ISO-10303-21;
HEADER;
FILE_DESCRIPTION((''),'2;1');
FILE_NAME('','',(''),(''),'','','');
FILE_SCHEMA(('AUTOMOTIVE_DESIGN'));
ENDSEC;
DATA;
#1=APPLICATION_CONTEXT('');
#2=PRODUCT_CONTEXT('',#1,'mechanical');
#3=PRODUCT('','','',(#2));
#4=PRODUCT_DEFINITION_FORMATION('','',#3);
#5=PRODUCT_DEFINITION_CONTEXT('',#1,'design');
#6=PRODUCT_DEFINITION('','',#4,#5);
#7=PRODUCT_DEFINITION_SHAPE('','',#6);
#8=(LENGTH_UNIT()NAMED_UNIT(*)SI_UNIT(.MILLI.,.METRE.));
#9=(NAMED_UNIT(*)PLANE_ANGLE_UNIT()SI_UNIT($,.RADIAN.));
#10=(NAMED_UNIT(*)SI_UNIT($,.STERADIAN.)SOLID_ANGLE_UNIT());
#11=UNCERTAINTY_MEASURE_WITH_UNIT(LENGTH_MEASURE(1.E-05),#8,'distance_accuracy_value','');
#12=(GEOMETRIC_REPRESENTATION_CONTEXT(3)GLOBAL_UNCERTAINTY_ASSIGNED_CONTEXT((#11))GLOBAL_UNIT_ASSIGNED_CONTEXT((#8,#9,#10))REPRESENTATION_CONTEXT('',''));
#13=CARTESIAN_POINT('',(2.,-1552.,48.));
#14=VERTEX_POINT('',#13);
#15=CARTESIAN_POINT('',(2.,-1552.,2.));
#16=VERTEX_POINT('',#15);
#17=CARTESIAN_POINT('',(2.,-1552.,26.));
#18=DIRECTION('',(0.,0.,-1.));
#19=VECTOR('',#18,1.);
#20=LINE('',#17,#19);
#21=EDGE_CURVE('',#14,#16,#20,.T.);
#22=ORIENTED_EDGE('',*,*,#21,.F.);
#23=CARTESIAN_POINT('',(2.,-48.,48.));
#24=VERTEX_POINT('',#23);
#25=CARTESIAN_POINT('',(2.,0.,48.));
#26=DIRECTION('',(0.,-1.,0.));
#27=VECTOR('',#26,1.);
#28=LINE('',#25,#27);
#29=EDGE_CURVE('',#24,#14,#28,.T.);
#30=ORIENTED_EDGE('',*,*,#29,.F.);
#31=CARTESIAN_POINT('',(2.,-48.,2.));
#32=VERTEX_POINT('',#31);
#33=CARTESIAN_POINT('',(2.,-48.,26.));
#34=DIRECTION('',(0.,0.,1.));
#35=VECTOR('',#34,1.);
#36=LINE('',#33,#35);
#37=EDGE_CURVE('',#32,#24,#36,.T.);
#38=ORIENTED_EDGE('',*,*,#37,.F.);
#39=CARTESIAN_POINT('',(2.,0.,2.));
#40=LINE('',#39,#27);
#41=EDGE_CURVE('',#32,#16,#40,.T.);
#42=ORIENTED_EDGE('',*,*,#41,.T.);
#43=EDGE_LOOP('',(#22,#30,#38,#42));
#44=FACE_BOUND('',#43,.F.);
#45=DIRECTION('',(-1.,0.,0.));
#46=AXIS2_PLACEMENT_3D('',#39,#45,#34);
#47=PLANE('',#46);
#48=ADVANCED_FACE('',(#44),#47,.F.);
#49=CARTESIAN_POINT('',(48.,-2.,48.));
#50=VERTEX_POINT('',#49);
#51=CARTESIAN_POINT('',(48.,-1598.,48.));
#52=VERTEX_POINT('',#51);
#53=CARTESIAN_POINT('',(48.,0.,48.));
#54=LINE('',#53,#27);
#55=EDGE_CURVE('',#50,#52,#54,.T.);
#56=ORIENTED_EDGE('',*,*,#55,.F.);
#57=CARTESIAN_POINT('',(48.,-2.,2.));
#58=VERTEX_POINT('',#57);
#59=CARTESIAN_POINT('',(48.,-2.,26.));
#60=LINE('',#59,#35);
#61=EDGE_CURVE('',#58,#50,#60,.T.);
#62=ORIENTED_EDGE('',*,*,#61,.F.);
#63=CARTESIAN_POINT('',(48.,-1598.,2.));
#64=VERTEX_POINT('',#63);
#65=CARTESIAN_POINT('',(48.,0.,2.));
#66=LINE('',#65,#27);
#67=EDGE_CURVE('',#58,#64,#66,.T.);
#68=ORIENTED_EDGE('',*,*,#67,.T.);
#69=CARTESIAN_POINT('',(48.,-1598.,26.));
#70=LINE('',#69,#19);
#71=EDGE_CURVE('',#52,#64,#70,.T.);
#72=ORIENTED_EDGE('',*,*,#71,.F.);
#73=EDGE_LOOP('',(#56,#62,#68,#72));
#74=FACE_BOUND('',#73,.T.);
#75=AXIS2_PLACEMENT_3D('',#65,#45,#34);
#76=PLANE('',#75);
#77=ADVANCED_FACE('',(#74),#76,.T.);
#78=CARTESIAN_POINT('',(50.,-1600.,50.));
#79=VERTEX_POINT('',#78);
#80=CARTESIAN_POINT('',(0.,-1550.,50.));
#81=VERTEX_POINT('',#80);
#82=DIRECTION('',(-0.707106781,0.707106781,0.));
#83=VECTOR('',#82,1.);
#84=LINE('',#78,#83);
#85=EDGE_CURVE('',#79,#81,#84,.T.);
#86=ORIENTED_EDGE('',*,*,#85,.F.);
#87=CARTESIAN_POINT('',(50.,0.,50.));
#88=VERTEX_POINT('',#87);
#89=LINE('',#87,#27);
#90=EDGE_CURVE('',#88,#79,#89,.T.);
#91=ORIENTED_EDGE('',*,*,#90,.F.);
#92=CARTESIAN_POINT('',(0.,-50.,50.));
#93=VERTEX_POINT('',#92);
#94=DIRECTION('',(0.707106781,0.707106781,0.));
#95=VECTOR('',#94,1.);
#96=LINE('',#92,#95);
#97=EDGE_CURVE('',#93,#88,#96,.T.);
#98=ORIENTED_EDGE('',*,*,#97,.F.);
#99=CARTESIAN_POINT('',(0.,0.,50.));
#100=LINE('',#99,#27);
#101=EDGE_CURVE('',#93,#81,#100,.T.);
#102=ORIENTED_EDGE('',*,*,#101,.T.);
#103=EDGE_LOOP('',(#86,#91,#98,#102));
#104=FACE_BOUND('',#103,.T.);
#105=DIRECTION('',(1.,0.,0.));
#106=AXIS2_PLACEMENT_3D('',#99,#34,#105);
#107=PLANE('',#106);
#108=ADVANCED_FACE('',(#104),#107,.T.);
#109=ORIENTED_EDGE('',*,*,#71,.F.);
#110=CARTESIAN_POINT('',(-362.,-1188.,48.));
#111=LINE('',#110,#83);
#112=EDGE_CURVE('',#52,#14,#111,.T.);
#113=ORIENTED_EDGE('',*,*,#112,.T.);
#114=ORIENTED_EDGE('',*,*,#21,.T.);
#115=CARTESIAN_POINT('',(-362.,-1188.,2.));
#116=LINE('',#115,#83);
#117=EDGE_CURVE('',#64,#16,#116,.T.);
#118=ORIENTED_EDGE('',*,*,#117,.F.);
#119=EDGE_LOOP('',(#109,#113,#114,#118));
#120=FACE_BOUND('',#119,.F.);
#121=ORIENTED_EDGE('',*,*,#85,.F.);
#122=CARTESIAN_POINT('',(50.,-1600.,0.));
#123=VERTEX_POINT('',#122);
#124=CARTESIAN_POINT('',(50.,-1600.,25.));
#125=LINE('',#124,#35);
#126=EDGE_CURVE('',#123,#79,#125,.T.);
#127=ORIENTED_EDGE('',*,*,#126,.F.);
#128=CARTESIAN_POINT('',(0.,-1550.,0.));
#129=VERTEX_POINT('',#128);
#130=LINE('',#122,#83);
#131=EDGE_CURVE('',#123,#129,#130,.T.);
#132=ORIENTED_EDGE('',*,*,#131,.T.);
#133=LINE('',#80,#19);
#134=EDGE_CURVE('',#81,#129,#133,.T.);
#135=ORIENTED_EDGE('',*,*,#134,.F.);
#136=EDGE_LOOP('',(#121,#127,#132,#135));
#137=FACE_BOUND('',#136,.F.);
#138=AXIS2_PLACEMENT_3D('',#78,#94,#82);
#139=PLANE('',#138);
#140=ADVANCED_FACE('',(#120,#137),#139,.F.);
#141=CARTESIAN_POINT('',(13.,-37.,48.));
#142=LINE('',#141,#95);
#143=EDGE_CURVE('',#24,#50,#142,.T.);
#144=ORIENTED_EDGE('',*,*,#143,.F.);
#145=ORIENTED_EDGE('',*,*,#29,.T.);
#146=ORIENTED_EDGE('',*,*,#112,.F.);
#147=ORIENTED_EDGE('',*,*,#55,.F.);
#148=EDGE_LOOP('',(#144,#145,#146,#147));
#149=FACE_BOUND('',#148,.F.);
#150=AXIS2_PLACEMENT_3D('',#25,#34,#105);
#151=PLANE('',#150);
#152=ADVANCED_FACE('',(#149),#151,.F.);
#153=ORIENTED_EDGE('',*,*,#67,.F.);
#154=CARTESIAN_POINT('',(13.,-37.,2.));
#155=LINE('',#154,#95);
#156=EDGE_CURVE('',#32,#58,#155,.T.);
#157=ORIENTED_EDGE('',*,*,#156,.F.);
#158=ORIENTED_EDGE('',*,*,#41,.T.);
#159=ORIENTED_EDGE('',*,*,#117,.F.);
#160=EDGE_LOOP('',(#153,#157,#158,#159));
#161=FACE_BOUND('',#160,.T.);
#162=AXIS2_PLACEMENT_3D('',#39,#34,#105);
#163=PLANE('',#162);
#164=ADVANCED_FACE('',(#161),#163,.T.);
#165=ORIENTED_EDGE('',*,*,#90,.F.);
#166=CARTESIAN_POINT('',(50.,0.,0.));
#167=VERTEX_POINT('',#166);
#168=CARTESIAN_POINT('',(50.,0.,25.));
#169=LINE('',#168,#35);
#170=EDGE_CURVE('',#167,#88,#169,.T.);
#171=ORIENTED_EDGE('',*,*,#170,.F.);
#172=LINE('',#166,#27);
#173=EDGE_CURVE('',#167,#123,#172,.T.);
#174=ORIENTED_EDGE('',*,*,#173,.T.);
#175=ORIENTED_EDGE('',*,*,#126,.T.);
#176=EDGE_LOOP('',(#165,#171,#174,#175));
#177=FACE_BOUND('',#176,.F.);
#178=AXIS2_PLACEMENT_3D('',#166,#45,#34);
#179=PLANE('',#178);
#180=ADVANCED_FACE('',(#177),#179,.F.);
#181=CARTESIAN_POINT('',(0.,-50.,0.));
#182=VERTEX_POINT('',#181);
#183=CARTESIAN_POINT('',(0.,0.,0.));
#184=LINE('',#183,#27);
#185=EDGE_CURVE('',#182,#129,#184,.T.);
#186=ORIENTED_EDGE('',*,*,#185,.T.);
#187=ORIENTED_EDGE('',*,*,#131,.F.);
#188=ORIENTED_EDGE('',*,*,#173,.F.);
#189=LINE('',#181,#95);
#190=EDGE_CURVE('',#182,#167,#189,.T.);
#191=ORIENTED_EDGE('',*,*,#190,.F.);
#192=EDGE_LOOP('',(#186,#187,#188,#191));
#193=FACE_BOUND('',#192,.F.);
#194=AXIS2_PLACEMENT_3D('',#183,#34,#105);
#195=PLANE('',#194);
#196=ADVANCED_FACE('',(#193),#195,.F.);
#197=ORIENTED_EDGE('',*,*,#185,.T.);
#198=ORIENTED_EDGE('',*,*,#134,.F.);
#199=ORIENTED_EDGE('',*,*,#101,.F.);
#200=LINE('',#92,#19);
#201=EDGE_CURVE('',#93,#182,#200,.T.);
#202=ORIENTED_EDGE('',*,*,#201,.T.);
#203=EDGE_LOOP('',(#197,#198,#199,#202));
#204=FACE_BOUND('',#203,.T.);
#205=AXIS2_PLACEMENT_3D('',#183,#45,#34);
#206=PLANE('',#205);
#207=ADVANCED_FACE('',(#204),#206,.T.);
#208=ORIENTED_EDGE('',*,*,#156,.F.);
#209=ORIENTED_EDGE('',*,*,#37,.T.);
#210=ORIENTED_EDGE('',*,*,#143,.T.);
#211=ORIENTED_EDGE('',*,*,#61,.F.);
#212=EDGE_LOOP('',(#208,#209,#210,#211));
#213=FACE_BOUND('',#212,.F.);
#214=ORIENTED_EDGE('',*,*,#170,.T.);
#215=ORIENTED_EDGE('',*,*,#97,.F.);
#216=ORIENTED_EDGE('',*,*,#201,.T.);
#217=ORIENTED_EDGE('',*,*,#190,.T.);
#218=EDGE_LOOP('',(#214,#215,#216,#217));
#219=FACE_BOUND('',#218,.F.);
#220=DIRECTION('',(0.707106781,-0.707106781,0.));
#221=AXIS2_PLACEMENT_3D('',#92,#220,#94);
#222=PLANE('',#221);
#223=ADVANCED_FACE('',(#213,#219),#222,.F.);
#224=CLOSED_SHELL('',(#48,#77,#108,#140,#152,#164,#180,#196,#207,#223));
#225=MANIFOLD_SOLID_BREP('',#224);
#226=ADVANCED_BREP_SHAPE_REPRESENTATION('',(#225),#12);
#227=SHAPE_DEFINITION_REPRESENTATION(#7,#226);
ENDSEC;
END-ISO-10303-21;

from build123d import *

# Parameters (mm, degrees)
F0_W     = 50
F0_H     = 50
F0_W_2   = 46
F0_H_2   = 46
F1_DEPTH = 1600
F3_DEPTH = 50
F4_DEPTH = 50


with BuildPart() as f1:
    # F0 (on Front) → F1 (new body)
    with BuildSketch(Plane.XZ):
        with Locations((25, 25)):
            Rectangle(F0_W, F0_H)
        with Locations((25, 25)):
            Rectangle(F0_W_2, F0_H_2, mode=Mode.SUBTRACT)
    extrude(amount=F1_DEPTH)

    # F2 (on face) → F3 (cut)
    with BuildSketch(Plane.XY.offset(50)):
        Polygon((50, 0), (0, 0), (0, -50), align=None)
    extrude(amount=-F3_DEPTH, mode=Mode.SUBTRACT)

    # F2 (on face) → F4 (cut)
    with BuildSketch(Plane.XY.offset(50)):
        Polygon((50, 0), (0, 0), (0, -50), align=None)
        Polygon((0, -1550), (0, -1600), (50, -1600), align=None)
    extrude(amount=-F4_DEPTH, mode=Mode.SUBTRACT)


solid = f1.part
